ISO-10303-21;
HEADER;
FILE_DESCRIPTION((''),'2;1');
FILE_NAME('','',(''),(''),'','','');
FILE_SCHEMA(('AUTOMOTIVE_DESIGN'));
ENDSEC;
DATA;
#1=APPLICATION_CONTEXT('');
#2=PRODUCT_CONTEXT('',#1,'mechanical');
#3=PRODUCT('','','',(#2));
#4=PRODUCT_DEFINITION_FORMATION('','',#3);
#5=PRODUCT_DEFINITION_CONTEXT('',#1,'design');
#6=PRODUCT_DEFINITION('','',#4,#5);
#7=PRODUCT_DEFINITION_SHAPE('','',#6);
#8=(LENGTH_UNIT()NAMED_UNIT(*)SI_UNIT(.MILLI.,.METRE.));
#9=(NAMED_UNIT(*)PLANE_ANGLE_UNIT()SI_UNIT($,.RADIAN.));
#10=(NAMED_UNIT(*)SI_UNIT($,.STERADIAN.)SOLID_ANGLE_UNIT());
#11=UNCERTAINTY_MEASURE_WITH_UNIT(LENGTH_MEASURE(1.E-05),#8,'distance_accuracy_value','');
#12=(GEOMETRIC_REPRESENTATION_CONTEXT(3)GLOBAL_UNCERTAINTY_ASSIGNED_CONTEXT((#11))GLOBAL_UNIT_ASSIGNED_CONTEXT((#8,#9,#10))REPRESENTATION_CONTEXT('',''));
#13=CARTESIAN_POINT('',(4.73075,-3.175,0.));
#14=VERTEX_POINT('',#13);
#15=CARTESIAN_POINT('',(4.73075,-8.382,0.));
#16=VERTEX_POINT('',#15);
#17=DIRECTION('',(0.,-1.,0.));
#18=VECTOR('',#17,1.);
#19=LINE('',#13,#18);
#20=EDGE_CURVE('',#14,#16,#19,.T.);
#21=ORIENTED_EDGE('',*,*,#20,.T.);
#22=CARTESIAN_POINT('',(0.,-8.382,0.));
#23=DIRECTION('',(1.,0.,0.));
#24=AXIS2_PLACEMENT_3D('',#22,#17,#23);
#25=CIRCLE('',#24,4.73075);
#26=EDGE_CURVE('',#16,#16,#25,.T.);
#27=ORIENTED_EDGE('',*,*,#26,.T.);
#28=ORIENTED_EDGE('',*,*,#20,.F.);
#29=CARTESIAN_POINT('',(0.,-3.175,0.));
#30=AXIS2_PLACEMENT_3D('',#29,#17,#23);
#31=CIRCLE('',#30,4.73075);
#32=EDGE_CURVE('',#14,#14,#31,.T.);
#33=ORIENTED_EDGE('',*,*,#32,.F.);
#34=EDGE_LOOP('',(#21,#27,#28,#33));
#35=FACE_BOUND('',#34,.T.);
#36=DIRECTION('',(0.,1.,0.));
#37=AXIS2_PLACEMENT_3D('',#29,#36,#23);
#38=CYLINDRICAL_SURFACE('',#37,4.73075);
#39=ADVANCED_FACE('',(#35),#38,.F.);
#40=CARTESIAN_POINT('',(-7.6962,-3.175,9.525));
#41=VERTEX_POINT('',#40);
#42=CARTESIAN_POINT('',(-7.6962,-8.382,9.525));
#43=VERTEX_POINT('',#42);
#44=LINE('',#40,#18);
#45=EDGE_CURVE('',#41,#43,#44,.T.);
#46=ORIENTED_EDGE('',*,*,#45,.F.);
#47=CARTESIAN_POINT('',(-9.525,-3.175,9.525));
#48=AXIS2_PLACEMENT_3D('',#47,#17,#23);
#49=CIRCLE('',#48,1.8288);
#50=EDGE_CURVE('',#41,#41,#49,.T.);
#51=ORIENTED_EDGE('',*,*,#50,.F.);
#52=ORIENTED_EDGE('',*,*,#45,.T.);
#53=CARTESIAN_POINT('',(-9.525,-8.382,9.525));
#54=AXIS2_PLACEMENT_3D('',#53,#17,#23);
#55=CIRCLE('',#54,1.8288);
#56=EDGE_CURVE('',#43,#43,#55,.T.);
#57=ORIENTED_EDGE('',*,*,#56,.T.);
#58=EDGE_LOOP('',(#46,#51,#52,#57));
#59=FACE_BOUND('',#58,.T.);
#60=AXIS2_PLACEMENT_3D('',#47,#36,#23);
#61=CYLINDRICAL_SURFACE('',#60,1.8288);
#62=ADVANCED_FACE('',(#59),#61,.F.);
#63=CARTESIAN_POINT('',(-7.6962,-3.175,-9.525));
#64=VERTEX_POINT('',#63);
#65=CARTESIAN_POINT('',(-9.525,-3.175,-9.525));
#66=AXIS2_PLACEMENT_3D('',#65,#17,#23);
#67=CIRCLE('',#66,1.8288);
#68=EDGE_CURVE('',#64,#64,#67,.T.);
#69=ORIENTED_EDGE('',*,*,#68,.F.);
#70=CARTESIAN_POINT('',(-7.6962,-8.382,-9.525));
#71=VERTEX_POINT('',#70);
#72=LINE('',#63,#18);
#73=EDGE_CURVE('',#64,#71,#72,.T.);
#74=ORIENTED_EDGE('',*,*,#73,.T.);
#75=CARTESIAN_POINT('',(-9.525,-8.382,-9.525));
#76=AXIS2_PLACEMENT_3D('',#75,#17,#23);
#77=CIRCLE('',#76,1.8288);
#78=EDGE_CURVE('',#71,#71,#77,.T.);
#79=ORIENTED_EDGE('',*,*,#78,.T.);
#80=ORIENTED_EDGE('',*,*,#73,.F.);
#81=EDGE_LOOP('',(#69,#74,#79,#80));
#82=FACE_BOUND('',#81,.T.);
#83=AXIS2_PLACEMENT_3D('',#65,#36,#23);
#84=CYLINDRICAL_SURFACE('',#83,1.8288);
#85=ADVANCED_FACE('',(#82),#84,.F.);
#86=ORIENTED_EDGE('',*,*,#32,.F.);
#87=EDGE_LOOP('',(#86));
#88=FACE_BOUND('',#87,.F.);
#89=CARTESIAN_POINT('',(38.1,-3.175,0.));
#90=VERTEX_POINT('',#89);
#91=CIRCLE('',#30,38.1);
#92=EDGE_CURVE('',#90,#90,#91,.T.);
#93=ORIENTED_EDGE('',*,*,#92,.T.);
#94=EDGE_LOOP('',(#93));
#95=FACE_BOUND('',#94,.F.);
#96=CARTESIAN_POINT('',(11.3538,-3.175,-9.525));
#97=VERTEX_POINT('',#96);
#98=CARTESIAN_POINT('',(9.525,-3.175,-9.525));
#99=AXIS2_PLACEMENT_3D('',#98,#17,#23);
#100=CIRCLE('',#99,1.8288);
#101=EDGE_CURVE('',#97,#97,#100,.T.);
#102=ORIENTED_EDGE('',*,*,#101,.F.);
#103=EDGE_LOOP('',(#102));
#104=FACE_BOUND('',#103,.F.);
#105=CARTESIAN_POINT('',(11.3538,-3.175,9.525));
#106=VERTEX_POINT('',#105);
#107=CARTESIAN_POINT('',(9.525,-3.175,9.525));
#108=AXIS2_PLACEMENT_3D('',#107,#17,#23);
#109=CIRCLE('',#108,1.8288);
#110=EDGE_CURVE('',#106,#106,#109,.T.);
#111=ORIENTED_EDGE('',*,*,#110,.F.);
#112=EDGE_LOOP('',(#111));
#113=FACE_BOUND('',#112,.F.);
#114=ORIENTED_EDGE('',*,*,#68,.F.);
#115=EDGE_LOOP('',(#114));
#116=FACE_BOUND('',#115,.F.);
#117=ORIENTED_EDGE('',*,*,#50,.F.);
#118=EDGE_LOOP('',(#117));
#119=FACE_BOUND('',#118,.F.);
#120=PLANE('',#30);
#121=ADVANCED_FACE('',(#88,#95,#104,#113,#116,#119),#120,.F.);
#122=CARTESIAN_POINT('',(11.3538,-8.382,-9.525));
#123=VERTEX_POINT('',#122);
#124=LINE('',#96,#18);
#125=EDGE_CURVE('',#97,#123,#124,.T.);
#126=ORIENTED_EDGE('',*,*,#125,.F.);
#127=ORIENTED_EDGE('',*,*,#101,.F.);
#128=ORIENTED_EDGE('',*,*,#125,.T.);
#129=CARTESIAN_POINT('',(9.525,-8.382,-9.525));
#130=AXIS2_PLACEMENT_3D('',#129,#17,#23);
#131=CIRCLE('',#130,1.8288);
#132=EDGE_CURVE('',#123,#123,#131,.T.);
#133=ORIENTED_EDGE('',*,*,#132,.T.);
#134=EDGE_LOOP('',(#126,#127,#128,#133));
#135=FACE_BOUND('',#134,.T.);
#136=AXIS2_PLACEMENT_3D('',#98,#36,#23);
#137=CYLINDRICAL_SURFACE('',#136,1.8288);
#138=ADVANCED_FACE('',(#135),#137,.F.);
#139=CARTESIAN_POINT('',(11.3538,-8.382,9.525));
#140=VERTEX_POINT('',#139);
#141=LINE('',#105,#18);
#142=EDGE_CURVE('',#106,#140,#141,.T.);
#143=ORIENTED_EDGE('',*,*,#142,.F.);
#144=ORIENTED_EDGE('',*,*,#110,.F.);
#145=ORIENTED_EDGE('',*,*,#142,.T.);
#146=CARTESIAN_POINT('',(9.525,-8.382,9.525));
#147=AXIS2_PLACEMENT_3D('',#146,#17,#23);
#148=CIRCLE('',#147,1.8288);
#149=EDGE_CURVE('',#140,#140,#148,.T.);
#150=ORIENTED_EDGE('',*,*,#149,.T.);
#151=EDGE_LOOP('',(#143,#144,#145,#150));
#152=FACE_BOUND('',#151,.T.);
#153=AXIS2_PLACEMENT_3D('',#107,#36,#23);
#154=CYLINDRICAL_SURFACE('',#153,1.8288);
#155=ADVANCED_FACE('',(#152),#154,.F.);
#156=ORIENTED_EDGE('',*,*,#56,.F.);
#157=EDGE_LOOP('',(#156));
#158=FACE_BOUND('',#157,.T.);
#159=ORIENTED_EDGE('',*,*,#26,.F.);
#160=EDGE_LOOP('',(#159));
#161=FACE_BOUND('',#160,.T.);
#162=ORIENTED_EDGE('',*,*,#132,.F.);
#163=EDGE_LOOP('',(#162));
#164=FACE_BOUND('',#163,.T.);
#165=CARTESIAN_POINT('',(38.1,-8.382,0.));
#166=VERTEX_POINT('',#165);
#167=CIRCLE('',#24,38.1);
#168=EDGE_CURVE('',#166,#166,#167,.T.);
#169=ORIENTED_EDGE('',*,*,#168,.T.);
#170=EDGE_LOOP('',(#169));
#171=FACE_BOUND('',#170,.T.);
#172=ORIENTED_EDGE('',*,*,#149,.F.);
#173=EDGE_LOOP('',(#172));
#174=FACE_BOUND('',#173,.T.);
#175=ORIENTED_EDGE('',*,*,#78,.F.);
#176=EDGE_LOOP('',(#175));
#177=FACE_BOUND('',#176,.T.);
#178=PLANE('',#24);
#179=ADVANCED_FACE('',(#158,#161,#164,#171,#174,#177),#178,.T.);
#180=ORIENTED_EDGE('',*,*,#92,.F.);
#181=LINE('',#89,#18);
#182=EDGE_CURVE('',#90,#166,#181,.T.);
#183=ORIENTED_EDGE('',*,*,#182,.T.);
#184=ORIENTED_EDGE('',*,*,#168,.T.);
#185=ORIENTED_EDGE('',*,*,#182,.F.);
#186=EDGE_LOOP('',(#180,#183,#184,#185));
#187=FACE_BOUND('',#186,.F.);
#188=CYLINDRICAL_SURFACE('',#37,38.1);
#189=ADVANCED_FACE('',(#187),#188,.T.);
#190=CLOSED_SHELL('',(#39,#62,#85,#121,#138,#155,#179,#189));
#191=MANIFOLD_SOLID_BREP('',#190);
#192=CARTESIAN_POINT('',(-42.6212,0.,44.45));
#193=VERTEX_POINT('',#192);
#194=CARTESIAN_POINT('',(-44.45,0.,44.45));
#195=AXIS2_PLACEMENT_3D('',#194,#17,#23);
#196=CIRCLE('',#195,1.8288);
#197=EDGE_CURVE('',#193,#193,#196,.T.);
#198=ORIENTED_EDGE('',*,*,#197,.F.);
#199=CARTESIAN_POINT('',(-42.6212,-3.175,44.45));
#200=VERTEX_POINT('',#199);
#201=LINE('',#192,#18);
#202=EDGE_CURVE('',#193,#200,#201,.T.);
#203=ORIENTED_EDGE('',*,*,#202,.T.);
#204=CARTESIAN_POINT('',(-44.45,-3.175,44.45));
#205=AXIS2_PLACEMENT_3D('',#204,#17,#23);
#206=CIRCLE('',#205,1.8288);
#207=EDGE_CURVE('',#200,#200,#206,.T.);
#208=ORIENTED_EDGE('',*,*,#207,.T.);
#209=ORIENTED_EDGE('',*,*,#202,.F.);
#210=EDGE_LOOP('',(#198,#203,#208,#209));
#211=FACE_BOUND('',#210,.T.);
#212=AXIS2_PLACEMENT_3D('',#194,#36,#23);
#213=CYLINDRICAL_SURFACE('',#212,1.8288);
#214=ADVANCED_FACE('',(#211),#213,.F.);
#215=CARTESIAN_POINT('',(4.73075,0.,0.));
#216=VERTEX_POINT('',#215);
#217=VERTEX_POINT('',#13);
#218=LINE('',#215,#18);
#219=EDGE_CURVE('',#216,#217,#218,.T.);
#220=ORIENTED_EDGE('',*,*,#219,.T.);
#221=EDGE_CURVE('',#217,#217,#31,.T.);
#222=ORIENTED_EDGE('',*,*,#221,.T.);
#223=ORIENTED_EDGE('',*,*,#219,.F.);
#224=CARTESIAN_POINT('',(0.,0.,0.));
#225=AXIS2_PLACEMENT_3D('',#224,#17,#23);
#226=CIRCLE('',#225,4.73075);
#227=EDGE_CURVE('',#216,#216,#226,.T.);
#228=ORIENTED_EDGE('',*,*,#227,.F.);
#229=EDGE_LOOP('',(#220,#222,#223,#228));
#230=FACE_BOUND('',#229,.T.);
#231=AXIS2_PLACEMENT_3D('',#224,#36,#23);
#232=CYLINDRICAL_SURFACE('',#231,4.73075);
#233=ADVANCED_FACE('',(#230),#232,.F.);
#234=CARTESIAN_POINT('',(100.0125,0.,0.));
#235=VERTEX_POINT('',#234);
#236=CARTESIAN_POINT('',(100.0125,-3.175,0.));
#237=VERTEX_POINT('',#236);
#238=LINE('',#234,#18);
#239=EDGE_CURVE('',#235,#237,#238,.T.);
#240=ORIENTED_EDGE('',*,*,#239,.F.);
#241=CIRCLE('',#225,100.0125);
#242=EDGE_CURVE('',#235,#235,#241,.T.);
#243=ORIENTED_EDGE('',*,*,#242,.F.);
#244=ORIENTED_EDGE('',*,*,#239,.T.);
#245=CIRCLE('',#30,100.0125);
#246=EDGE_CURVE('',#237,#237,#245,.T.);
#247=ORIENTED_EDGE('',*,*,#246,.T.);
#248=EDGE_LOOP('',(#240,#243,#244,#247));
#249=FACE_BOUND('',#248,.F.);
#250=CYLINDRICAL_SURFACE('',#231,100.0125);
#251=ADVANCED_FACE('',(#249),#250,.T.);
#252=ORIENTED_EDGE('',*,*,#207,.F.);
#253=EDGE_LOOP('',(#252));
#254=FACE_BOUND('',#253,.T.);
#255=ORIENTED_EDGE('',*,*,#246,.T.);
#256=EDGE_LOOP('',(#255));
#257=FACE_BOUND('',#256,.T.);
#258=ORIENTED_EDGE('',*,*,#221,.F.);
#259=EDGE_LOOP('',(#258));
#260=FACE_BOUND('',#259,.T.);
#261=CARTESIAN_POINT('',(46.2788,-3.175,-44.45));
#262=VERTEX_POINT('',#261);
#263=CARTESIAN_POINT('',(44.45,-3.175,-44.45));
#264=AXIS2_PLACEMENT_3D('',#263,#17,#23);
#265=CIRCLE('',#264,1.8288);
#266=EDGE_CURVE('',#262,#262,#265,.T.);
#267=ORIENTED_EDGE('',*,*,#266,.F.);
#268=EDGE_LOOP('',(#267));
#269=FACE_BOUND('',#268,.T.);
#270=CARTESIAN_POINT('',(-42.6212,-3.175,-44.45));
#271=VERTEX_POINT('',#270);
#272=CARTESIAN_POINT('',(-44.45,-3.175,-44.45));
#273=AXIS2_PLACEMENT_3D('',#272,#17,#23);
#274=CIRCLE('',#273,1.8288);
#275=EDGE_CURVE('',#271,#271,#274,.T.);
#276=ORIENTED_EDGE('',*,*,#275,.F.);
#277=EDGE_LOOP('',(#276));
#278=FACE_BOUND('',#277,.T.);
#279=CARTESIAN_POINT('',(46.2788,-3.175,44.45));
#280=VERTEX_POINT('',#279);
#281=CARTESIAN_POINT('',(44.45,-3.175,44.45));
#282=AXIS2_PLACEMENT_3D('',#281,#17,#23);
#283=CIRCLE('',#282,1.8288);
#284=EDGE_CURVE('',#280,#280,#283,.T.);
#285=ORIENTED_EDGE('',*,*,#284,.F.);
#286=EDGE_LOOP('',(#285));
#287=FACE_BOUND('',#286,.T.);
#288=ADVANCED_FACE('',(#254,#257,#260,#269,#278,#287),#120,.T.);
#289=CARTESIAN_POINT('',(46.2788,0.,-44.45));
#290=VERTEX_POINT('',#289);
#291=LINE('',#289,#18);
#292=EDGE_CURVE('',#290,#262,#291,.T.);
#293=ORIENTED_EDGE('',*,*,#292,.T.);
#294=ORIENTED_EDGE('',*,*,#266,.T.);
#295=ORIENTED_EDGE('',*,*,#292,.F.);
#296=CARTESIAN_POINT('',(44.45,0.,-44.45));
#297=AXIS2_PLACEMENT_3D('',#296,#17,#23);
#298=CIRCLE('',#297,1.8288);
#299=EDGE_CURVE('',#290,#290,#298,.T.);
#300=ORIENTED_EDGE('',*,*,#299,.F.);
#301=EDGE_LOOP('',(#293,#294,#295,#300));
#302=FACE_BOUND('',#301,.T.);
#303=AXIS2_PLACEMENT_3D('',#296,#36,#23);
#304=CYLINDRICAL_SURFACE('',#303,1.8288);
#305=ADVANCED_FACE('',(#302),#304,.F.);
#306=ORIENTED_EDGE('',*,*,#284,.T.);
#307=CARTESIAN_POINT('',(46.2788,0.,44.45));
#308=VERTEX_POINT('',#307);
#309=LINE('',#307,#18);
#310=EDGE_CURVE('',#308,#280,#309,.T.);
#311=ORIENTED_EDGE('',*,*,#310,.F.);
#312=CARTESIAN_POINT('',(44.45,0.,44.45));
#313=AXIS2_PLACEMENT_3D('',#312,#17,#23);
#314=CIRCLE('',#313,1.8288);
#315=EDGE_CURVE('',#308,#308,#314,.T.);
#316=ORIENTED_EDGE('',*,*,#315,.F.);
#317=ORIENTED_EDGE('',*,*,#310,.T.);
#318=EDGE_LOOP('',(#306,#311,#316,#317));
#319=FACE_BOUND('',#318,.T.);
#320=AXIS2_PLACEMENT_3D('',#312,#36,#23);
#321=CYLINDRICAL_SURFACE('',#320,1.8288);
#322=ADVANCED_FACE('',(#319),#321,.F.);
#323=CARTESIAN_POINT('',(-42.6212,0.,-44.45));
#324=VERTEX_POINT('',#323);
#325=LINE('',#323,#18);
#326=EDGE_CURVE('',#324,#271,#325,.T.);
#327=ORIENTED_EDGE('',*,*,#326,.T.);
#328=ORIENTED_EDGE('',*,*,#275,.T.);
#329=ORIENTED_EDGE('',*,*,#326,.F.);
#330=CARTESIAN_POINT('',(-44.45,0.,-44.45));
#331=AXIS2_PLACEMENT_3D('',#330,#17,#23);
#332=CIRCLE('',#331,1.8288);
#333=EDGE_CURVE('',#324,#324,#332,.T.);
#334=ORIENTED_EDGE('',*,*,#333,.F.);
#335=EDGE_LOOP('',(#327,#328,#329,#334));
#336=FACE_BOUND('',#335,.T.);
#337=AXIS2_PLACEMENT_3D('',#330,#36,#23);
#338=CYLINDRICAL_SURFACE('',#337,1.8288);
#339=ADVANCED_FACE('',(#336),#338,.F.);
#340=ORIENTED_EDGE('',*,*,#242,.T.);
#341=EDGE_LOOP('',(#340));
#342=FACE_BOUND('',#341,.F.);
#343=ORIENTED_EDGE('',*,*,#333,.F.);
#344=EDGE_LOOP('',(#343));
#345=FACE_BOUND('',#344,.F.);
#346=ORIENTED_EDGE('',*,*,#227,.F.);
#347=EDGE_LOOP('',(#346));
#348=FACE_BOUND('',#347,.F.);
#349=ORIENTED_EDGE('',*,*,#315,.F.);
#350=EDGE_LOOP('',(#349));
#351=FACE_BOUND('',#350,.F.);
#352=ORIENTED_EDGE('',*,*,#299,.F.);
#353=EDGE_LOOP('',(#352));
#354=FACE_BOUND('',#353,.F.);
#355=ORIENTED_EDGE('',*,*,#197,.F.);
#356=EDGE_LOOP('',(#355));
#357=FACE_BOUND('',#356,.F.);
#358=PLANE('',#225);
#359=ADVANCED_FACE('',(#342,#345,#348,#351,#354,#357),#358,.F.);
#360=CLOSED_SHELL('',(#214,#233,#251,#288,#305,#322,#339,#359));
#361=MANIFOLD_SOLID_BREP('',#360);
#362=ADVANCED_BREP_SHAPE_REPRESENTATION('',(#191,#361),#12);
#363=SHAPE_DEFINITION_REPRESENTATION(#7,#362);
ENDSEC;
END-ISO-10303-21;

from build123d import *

# Parameters (mm, degrees)
F0_R     = 100.0125
F0_R_2   = 1.8288
F0_R_3   = 4.73075
F1_DEPTH = 3.175
F2_R     = 38.1
F2_R_2   = 1.8288
F2_R_3   = 4.73075
F3_DEPTH = 5.207


with BuildPart() as f1:
    # F0 (on Front) → F1 (new body)
    with BuildSketch(Plane.XZ):
        Circle(F0_R)
        with Locations((-44.45, -44.45)):
            Circle(F0_R_2, mode=Mode.SUBTRACT)
        Circle(F0_R_3, mode=Mode.SUBTRACT)
        with Locations((44.45, -44.45)):
            Circle(F0_R_2, mode=Mode.SUBTRACT)
        with Locations((-44.45, 44.45)):
            Circle(F0_R_2, mode=Mode.SUBTRACT)
        with Locations((44.45, 44.45)):
            Circle(F0_R_2, mode=Mode.SUBTRACT)
    extrude(amount=F1_DEPTH)


with BuildPart() as f3:
    # F2 (on face) → F3 (new body)
    with BuildSketch(Plane.XZ.offset(3.175)):
        Circle(F2_R)
        with Locations((-9.525, -9.525)):
            Circle(F2_R_2, mode=Mode.SUBTRACT)
        Circle(F2_R_3, mode=Mode.SUBTRACT)
        with Locations((9.525, -9.525)):
            Circle(F2_R_2, mode=Mode.SUBTRACT)
        with Locations((-9.525, 9.525)):
            Circle(F2_R_2, mode=Mode.SUBTRACT)
        with Locations((9.525, 9.525)):
            Circle(F2_R_2, mode=Mode.SUBTRACT)
    extrude(amount=F3_DEPTH)


solid = Compound([f1.part, f3.part])
